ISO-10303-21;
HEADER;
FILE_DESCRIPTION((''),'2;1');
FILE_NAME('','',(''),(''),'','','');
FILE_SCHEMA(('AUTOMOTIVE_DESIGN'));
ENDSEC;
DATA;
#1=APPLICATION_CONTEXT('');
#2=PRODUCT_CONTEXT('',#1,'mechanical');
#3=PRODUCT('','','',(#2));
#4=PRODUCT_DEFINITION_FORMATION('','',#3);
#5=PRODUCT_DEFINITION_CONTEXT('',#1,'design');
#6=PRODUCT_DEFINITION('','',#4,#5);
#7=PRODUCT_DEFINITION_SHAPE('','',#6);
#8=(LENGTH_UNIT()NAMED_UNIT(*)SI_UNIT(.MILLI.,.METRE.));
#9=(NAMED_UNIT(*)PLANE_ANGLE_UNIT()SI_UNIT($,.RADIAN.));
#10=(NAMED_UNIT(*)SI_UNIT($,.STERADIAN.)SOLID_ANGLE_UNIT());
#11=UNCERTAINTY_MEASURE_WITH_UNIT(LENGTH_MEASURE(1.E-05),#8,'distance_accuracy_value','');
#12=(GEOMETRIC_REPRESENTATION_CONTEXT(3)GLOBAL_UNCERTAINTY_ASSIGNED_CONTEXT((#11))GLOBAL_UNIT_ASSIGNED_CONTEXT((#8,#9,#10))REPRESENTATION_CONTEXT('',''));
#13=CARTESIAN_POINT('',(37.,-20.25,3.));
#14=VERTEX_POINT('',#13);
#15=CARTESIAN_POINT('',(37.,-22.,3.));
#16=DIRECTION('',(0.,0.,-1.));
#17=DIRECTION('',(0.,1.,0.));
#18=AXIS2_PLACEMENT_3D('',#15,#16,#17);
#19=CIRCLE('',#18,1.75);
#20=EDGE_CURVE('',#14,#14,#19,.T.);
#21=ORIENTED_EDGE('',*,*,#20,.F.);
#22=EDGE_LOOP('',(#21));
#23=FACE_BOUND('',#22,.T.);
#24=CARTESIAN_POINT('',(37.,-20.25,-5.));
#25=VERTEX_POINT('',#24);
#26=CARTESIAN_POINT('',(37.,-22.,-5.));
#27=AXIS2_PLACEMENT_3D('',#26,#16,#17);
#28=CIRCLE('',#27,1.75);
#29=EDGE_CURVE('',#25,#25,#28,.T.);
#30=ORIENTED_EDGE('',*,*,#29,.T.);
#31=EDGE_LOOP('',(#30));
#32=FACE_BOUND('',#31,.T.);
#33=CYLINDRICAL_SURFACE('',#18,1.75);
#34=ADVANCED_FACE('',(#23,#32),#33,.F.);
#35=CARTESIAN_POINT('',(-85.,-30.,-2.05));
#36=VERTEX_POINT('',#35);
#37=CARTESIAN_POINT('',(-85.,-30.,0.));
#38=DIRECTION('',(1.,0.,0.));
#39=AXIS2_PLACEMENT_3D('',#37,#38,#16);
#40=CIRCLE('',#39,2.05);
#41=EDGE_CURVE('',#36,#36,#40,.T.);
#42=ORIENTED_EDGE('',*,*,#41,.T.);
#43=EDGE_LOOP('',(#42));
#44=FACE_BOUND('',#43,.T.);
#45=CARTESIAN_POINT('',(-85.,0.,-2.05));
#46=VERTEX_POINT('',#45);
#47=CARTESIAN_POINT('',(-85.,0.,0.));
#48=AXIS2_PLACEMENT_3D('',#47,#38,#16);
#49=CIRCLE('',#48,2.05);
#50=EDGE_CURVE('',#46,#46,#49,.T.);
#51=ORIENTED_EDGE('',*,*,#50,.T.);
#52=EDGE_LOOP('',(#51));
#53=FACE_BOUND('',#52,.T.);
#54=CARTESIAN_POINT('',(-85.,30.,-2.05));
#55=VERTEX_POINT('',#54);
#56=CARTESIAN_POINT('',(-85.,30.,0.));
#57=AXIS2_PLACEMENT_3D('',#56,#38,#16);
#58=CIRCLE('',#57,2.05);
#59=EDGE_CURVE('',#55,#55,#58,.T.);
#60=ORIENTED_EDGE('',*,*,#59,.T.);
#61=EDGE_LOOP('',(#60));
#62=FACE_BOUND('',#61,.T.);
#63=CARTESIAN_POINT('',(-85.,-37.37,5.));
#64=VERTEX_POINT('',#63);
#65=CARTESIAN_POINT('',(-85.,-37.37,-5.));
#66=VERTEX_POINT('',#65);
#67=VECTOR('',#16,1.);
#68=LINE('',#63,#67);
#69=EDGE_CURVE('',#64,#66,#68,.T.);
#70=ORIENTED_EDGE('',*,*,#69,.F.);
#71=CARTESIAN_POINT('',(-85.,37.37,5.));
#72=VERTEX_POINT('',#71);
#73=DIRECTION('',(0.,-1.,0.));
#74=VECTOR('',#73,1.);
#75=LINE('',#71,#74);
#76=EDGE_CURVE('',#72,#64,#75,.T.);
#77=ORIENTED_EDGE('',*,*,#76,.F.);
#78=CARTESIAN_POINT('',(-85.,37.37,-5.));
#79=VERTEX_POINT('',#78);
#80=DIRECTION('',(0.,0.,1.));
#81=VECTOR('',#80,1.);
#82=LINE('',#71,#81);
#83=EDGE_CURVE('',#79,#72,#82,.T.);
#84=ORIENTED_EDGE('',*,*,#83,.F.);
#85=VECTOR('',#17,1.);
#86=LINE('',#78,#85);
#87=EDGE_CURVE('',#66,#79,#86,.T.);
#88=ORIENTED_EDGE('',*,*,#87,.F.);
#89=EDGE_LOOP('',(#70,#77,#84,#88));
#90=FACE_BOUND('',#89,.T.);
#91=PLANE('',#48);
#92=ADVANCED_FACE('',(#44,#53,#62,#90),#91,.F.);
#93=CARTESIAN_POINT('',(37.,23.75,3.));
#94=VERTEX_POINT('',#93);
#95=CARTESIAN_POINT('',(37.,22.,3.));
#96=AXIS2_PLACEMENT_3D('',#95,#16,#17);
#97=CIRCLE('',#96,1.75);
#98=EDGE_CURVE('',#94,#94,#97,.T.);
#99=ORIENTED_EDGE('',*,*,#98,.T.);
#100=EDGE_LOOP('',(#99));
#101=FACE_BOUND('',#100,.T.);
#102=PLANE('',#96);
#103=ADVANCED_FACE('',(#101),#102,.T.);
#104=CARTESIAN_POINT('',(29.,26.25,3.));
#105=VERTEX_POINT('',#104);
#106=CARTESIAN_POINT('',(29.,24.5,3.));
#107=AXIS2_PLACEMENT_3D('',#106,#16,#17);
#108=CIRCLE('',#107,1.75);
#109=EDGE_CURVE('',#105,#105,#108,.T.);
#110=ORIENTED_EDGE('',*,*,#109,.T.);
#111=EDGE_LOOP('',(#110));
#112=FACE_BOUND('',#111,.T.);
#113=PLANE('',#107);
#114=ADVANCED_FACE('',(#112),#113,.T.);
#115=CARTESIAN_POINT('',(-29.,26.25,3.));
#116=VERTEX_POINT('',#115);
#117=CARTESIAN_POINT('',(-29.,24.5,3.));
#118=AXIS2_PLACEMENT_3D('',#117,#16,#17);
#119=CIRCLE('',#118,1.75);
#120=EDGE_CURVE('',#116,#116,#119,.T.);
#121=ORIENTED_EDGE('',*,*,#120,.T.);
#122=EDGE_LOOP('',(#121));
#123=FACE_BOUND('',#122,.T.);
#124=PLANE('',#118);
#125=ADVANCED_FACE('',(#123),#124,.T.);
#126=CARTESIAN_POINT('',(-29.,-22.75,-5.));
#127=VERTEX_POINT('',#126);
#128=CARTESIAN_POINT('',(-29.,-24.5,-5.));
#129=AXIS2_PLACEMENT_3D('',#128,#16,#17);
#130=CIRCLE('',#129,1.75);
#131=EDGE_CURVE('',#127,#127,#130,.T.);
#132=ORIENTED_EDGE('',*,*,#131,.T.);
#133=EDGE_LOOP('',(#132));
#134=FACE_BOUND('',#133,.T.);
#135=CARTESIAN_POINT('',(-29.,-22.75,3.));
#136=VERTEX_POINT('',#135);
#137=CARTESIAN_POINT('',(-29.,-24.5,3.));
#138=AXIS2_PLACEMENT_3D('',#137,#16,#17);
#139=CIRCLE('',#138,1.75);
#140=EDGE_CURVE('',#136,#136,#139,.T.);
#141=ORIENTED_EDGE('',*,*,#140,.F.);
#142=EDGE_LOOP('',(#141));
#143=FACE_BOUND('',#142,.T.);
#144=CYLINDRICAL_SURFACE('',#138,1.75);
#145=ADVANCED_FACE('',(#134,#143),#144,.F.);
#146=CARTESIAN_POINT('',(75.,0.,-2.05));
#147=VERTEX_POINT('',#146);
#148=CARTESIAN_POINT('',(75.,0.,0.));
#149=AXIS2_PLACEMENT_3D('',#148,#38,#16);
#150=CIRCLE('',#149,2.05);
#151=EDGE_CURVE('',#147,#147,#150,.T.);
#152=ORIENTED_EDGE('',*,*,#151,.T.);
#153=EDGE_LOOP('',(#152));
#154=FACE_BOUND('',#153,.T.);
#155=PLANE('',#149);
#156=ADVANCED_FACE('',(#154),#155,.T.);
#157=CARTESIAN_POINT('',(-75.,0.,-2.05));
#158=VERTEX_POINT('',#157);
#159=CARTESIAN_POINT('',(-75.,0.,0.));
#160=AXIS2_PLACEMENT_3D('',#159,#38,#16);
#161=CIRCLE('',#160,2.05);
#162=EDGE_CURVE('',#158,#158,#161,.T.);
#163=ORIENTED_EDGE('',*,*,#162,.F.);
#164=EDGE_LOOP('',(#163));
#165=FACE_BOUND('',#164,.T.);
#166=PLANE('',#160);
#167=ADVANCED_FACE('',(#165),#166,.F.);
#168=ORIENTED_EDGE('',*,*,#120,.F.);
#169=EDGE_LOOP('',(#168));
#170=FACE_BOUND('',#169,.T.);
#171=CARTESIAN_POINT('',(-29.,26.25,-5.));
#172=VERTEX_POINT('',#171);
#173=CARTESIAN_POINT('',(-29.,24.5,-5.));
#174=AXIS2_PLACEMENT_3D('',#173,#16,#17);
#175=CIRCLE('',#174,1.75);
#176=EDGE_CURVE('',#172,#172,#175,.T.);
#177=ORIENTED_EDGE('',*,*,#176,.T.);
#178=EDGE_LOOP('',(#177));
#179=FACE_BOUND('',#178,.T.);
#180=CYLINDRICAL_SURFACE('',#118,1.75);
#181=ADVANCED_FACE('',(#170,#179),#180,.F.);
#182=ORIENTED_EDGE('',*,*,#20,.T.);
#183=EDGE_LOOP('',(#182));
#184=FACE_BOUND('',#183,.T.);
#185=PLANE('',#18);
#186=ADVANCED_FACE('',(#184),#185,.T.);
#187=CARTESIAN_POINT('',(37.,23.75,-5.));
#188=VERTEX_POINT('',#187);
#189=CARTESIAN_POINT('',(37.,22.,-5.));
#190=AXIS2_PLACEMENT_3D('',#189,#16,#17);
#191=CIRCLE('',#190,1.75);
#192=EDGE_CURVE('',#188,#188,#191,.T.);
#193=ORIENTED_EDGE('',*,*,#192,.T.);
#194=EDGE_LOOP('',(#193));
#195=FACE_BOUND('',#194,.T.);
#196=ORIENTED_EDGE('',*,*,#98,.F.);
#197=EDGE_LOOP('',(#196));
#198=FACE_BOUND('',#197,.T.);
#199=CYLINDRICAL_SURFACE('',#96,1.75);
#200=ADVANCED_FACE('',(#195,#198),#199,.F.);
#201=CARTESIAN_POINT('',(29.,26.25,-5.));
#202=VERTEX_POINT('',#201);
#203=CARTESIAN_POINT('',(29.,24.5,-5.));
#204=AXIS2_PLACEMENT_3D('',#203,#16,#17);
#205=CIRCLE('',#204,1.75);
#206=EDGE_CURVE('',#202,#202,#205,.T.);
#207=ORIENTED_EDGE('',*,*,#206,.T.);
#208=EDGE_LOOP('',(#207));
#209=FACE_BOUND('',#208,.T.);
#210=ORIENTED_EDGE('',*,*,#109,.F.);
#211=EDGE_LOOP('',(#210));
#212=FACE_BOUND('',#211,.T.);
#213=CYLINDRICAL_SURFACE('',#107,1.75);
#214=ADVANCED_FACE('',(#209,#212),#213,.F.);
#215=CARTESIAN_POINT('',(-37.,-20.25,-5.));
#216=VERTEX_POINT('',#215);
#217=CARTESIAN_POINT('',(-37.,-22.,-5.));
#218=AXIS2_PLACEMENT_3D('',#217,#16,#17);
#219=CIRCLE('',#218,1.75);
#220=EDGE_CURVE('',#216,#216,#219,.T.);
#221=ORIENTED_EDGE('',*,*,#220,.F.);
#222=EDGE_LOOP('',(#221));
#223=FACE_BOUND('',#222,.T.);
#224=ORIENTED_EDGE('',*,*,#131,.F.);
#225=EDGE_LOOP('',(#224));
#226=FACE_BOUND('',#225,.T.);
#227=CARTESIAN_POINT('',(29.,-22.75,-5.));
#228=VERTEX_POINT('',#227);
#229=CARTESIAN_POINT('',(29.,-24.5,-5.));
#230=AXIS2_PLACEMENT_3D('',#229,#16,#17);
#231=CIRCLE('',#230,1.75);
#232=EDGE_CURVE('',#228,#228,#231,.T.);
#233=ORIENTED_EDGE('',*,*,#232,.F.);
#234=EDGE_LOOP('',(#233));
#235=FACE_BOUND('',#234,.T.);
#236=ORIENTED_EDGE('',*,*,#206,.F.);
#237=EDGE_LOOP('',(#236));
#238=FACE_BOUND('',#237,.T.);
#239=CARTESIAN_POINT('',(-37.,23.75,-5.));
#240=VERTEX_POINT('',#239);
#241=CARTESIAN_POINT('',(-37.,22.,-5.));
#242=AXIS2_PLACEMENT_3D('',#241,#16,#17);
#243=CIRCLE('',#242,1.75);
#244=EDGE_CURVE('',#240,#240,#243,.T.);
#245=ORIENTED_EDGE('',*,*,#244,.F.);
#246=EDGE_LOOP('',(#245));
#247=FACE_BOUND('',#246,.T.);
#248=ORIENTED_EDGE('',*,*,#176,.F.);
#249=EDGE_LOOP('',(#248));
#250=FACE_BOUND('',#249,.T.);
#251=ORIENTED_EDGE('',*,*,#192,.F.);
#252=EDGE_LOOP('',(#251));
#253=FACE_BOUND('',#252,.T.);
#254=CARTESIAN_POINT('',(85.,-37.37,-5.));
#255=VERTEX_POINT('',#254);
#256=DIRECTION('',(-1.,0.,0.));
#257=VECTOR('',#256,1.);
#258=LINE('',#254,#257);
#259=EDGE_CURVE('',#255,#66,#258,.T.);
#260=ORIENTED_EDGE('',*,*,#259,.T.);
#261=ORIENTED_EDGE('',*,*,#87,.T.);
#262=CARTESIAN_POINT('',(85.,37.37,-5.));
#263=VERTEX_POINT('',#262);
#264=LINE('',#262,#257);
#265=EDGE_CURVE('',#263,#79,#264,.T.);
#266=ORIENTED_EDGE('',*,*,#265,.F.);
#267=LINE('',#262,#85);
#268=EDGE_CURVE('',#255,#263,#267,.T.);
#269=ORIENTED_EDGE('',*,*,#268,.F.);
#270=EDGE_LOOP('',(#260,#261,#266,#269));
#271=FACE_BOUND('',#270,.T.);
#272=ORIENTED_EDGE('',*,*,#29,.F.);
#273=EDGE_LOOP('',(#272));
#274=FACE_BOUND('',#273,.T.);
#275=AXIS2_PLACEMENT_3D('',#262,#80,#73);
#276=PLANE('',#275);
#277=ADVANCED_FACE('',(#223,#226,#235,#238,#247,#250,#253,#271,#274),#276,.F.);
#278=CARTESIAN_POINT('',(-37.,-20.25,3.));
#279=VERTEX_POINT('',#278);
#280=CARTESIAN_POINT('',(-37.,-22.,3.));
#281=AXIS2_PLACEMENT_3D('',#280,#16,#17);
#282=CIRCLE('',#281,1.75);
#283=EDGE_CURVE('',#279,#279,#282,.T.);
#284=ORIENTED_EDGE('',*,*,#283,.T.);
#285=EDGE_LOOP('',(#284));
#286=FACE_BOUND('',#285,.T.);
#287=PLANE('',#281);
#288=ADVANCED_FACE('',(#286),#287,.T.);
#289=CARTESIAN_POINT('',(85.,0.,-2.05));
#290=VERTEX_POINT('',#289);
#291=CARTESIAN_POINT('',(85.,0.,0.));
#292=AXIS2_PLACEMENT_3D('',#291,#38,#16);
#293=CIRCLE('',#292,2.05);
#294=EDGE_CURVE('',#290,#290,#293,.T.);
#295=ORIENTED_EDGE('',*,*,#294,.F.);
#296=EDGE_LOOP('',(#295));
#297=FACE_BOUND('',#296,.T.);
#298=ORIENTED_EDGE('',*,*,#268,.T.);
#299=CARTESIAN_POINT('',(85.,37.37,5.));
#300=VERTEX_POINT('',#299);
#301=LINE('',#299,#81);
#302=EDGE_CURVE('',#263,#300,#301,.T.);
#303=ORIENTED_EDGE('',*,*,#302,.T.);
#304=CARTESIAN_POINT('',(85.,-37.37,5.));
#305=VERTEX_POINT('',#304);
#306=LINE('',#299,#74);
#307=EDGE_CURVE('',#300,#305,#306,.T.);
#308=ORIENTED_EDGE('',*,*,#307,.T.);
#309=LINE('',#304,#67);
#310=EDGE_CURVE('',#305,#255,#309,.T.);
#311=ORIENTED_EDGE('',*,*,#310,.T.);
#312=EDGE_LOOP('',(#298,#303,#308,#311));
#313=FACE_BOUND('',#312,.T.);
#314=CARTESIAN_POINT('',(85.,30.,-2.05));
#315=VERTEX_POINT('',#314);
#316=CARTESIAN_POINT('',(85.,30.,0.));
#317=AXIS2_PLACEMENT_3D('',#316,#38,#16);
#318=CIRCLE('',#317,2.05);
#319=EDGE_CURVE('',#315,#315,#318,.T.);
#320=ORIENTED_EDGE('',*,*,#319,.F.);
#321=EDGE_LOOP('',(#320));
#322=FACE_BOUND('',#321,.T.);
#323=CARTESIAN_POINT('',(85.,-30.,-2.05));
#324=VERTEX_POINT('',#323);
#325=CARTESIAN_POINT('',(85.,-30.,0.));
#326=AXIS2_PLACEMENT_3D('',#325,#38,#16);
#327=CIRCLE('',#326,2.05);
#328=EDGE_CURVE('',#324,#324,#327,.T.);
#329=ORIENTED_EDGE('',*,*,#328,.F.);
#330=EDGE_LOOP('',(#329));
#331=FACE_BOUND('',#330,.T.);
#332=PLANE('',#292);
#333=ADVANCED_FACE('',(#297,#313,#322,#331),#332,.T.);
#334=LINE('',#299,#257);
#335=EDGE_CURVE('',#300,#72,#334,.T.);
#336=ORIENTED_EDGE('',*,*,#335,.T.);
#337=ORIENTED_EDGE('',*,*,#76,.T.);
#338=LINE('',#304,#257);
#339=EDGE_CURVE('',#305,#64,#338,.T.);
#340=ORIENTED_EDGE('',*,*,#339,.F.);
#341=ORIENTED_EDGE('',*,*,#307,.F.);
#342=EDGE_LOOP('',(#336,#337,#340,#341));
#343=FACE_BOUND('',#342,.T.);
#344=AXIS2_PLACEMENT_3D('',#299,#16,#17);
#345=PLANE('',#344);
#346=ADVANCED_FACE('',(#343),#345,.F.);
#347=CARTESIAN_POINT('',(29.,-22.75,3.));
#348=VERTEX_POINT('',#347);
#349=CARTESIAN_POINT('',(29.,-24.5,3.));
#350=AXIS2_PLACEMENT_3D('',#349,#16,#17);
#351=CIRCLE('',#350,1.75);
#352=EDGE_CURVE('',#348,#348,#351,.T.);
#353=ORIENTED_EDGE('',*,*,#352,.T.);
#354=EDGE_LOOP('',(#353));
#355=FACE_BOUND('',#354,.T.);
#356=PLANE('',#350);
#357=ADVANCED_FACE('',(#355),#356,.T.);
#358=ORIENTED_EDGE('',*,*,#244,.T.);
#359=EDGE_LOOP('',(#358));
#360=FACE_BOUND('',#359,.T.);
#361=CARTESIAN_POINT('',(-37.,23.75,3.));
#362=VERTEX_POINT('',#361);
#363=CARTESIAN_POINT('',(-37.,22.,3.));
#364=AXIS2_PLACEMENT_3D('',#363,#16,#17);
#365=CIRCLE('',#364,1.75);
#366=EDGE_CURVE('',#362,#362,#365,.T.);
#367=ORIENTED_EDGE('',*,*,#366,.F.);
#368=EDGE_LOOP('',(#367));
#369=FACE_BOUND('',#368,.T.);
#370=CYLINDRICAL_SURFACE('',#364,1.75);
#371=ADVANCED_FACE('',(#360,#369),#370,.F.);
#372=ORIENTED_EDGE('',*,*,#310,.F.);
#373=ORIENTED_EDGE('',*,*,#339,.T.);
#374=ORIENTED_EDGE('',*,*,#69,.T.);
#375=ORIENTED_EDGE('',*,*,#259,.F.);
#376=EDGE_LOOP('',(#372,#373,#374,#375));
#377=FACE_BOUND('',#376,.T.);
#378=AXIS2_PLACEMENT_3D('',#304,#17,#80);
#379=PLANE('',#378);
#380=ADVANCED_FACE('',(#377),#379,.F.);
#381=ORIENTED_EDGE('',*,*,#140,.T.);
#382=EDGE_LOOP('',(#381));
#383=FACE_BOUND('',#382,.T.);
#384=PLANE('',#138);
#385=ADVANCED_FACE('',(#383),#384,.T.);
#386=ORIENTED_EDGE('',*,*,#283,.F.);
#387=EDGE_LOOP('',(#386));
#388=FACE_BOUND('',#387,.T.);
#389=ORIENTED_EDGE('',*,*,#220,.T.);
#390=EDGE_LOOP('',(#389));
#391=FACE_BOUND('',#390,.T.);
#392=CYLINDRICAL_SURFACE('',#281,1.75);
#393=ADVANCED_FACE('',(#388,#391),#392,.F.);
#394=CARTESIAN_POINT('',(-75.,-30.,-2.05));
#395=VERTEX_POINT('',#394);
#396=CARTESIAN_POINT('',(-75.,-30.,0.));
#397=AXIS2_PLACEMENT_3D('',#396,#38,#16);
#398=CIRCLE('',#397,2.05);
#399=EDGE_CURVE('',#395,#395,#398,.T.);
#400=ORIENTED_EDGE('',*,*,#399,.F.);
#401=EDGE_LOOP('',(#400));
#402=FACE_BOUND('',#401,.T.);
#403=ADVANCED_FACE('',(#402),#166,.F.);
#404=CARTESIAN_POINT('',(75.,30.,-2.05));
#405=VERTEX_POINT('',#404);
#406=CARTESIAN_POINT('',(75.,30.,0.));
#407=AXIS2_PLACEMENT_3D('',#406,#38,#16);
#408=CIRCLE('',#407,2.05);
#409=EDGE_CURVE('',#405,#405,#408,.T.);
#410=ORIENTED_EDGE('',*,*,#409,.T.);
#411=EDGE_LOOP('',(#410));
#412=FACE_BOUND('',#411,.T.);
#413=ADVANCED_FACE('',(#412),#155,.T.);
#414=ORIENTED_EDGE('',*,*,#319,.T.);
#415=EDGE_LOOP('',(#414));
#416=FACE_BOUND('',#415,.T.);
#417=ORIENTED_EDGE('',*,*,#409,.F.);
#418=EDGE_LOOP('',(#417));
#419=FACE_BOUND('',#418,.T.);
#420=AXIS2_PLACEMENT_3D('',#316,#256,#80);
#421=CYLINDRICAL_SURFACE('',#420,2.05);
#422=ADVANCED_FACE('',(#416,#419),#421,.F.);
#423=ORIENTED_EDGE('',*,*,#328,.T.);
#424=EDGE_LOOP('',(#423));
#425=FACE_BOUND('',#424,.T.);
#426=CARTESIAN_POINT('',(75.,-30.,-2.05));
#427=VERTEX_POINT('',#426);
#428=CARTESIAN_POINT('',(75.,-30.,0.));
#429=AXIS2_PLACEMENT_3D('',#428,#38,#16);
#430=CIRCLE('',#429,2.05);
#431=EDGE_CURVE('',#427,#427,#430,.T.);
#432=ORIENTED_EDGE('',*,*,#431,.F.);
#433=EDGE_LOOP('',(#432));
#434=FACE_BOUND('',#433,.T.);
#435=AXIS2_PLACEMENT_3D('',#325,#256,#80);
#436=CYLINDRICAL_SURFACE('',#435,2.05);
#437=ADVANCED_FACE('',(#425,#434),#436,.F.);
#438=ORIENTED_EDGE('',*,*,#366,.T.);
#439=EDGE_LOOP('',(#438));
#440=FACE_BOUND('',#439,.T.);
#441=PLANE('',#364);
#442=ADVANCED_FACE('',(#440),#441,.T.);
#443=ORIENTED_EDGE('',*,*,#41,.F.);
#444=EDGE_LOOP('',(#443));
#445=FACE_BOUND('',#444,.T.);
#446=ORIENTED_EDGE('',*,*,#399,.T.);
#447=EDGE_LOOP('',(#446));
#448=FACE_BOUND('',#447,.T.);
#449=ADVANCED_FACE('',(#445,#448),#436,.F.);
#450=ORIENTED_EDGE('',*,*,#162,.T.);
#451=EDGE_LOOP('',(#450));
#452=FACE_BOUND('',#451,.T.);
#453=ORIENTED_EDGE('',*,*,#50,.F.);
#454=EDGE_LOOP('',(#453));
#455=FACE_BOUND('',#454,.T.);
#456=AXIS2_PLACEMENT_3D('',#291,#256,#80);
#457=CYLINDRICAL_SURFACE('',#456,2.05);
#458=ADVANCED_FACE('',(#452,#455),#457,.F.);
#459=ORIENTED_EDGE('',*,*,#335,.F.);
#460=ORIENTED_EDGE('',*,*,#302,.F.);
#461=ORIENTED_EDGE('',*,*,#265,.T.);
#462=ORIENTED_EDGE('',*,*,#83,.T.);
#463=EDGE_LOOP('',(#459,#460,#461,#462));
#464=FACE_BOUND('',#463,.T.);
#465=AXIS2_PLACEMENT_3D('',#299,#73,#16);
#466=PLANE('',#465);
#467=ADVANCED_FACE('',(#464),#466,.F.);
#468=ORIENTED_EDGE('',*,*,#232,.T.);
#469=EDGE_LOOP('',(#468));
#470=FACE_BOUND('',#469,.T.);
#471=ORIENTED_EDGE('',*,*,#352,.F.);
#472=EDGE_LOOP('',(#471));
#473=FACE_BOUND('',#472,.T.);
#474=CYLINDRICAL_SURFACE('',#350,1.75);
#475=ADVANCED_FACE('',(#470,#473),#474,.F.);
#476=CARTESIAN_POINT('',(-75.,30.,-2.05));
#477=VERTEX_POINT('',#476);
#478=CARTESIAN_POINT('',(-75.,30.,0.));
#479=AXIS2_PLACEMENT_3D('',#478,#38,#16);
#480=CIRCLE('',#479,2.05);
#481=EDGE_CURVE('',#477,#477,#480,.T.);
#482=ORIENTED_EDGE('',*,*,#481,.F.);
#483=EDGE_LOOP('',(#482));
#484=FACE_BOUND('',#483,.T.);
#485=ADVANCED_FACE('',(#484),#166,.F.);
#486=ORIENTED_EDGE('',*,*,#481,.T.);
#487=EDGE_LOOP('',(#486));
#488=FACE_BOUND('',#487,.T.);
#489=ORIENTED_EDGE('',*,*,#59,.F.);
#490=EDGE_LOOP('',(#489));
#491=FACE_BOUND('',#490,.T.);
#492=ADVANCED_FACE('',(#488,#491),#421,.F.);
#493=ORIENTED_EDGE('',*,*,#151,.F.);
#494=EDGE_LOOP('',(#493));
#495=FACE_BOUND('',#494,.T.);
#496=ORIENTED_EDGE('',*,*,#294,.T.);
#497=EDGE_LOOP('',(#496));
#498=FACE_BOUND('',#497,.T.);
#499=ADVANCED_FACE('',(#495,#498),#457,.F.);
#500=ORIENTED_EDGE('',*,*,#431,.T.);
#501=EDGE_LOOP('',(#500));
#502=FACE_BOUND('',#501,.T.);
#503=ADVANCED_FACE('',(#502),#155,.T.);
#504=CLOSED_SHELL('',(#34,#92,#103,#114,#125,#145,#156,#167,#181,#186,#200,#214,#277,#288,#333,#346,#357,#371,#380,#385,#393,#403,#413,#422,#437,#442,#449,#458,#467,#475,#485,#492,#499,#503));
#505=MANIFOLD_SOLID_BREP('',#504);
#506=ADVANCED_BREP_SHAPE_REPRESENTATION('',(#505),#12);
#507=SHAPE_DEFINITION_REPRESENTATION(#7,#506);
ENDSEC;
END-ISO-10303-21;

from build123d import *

# Parameters (mm, degrees)
SKETCH1_W           = 10
SKETCH1_H           = 74.74
SKETCH1_R           = 2.05
BOSS_EXTRUDE1_DEPTH = 85
SKETCH1_2_R         = 2.05
BOSS_EXTRUDE2_DEPTH = 75
SKETCH2_R           = 1.75
CUT_EXTRUDE1_DEPTH  = 8
SKETCH3_R           = 1.75
CUT_EXTRUDE2_DEPTH  = 8


with BuildPart() as part:
    # Sketch1 → Boss-Extrude1 (new, symmetric)
    with BuildSketch(Plane(origin=(0, 0, 0), x_dir=(0, 0, -1), z_dir=(1, 0, 0))):
        Rectangle(SKETCH1_W, SKETCH1_H)
        with Locations((0, 30)):
            Circle(SKETCH1_R, mode=Mode.SUBTRACT)
        with Locations((0, -30)):
            Circle(SKETCH1_R, mode=Mode.SUBTRACT)
        Circle(SKETCH1_R, mode=Mode.SUBTRACT)
    extrude(amount=BOSS_EXTRUDE1_DEPTH, both=True)

    # Sketch1<2> → Boss-Extrude2 (add, symmetric)
    with BuildSketch(Plane(origin=(0, 0, 0), x_dir=(0, 0, -1), z_dir=(1, 0, 0))):
        with Locations((0, 30)):
            Circle(SKETCH1_2_R)
        with Locations((0, -30)):
            Circle(SKETCH1_2_R)
        Circle(SKETCH1_2_R)
    extrude(amount=BOSS_EXTRUDE2_DEPTH, both=True)

    # Sketch2 → Cut-Extrude1 (cut)
    with BuildSketch(Plane(origin=(0, 0, -5), x_dir=(-1, 0, 0), z_dir=(0, 0, -1))):
        with Locations((-37, 22)):
            Circle(SKETCH2_R)
        with Locations((37, 22)):
            Circle(SKETCH2_R)
        with Locations((37, -22)):
            Circle(SKETCH2_R)
        with Locations((-37, -22)):
            Circle(SKETCH2_R)
    extrude(amount=-CUT_EXTRUDE1_DEPTH, mode=Mode.SUBTRACT)

    # Sketch3 → Cut-Extrude2 (cut)
    with BuildSketch(Plane(origin=(0, 0, -5), x_dir=(-1, 0, 0), z_dir=(0, 0, -1))):
        with Locations((-29, 24.5)):
            Circle(SKETCH3_R)
        with Locations((29, 24.5)):
            Circle(SKETCH3_R)
        with Locations((29, -24.5)):
            Circle(SKETCH3_R)
        with Locations((-29, -24.5)):
            Circle(SKETCH3_R)
    extrude(amount=-CUT_EXTRUDE2_DEPTH, mode=Mode.SUBTRACT)


solid = part.part
